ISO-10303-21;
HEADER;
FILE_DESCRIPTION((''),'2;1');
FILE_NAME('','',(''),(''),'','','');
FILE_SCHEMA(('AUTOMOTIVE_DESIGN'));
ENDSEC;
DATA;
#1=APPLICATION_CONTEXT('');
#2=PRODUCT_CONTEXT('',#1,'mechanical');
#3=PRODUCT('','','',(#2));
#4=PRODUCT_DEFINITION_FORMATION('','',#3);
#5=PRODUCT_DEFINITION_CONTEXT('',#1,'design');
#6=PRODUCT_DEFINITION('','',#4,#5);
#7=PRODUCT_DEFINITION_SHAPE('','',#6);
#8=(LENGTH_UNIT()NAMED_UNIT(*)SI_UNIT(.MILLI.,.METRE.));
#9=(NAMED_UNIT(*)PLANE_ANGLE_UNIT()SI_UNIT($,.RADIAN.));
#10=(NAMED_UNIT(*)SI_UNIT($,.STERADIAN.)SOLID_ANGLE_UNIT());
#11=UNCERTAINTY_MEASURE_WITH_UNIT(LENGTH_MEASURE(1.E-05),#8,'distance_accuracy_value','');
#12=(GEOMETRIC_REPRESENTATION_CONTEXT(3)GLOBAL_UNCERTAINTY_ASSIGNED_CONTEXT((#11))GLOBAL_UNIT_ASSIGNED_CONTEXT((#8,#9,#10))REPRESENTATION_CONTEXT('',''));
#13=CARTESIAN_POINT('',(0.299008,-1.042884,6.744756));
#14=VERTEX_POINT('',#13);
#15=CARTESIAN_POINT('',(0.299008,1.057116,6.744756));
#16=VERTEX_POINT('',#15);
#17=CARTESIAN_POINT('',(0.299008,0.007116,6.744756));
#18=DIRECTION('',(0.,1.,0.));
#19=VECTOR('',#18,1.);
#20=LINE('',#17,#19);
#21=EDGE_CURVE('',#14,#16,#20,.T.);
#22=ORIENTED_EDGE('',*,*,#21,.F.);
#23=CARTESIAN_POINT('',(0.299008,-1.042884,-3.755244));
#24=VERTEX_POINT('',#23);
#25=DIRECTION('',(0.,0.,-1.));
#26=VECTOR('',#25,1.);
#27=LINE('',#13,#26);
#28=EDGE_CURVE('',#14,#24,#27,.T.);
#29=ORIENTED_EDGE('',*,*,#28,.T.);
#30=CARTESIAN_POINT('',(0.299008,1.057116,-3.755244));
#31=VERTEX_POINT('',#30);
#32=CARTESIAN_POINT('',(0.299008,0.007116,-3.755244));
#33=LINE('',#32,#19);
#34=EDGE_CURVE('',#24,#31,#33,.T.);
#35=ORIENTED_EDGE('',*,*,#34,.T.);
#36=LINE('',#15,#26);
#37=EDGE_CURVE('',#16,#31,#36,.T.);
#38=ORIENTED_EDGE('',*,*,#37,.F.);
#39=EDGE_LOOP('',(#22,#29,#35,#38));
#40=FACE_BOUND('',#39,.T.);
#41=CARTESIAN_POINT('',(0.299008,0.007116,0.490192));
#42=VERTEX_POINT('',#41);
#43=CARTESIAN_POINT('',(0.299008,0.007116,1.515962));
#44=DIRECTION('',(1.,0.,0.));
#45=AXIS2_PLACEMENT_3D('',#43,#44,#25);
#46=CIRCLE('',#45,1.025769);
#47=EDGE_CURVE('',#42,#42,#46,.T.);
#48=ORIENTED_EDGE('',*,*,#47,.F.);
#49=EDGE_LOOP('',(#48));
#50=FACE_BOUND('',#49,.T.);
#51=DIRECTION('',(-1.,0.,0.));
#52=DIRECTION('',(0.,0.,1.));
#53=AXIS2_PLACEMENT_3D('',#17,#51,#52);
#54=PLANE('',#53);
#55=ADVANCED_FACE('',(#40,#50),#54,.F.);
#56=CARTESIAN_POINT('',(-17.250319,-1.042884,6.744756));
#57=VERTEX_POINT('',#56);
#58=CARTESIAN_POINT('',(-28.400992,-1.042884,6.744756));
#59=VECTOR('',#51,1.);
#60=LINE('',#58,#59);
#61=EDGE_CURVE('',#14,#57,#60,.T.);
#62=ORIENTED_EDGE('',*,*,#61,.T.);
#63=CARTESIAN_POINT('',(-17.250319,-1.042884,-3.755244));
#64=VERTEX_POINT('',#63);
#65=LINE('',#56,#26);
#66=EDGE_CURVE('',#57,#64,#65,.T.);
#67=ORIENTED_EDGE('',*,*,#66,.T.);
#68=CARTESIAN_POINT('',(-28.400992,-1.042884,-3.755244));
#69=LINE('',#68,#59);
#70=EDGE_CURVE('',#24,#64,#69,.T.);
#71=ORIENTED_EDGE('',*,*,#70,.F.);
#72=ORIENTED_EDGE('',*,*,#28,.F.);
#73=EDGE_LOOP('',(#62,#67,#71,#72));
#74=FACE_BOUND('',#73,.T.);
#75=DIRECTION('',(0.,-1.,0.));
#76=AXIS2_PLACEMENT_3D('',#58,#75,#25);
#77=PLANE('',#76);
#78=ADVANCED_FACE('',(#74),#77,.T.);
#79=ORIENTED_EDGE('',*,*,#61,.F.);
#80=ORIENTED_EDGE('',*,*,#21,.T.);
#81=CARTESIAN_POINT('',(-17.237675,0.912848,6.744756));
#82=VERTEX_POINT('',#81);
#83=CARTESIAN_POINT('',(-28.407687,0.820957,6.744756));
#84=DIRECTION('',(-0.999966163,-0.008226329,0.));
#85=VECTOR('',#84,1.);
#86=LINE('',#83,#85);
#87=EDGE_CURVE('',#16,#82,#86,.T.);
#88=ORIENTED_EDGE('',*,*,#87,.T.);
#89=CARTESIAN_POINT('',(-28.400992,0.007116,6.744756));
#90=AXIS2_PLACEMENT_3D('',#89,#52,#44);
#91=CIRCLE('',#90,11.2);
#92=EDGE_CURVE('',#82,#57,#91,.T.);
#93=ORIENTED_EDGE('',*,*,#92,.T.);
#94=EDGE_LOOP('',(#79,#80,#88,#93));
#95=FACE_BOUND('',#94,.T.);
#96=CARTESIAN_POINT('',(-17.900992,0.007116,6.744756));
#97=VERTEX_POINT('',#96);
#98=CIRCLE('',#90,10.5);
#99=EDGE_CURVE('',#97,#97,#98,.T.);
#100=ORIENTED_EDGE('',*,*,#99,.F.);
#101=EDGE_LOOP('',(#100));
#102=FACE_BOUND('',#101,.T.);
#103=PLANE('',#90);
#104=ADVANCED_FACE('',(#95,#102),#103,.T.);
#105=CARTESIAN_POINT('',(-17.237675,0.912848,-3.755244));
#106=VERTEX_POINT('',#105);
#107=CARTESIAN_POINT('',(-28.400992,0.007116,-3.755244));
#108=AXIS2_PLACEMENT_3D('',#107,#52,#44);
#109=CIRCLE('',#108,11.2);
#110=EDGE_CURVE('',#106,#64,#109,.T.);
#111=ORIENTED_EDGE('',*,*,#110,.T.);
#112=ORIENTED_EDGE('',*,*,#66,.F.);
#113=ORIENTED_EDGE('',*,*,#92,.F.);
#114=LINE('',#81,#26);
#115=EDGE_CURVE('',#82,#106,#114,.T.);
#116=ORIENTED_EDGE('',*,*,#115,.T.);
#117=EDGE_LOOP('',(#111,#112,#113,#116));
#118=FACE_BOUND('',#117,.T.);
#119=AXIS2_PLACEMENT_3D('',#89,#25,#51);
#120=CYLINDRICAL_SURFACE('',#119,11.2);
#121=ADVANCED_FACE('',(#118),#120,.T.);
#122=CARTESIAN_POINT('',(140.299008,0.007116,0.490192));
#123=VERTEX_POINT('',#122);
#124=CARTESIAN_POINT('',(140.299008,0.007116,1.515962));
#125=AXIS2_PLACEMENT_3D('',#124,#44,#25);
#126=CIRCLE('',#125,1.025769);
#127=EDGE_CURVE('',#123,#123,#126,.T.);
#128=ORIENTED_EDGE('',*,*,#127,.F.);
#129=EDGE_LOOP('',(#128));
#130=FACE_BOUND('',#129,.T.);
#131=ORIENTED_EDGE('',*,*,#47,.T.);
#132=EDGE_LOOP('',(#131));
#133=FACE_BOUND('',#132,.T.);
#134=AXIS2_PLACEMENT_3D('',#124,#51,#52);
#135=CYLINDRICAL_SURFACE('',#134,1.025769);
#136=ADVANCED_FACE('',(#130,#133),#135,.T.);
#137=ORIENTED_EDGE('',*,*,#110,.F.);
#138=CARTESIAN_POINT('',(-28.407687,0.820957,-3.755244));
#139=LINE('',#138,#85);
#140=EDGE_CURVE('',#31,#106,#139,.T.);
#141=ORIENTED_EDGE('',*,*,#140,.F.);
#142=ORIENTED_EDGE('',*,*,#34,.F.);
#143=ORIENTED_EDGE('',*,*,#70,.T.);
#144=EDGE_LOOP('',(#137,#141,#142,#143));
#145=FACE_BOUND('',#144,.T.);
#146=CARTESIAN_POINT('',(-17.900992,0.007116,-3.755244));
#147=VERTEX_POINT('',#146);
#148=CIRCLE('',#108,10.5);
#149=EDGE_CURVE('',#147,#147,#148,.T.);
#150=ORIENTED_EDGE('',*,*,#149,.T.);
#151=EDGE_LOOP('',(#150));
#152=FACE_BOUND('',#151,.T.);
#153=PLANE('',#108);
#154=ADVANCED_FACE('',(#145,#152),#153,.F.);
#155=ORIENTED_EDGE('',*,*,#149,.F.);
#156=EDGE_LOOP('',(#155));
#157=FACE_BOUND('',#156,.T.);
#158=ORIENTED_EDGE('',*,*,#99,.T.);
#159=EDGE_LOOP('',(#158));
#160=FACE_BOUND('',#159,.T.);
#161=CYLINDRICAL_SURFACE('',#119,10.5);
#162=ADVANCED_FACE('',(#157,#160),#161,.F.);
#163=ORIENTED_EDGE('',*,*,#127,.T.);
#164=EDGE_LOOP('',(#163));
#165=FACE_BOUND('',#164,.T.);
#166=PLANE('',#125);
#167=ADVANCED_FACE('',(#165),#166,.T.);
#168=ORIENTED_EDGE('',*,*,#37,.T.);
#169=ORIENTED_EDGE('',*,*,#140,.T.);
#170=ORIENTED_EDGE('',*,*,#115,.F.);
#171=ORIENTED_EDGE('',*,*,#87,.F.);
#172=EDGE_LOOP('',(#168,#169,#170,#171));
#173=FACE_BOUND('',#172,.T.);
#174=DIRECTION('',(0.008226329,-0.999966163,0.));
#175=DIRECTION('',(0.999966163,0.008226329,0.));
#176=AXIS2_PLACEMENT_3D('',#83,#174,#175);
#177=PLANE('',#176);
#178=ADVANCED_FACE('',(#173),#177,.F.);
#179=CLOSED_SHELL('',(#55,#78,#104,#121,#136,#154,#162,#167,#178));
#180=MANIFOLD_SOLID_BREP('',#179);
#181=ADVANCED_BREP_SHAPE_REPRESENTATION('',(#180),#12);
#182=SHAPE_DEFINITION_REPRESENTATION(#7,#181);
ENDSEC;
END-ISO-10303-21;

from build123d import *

# Parameters (mm, degrees)
SKETCH_1_R      = 3
EXTRUDE_1_DEPTH = 3
SKETCH_2_R      = 0.293076877
EXTRUDE_2_DEPTH = 40
SCALE_1_SCALE   = 3.5


with BuildPart() as part:
    # 草图1 → 凸台-拉伸1 (new body)
    with BuildSketch(Plane.XY):
        with BuildLine():
            Line((8.2, 0.3), (3.189519169, 0.258780744))
            ThreePointArc((3.189519169, 0.258780744), (-3.199933121, 0.020688637), (3.185906464, -0.3))
            Line((3.185906464, -0.3), (8.2, -0.3))
            Line((8.2, -0.3), (8.2, 0.3))
        make_face()
        Circle(SKETCH_1_R, mode=Mode.SUBTRACT)
    extrude(amount=EXTRUDE_1_DEPTH)

    # 草图2 → 凸台-拉伸2 (add)
    with BuildSketch(Plane(origin=(8.2, 0, 0), x_dir=(0, 0, -1), z_dir=(1, 0, 0))):
        with Locations((-1.506058585, 0)):
            Circle(SKETCH_2_R)
    extrude(amount=EXTRUDE_2_DEPTH)


with BuildPart() as part_1:
    # 缩放比例1: scaled about (11.360396765, -0.00284627, 1.502097409)
    add(part.part.scale(SCALE_1_SCALE).moved(Location((-28.400991913, 0.007115675, -3.755243523))))


solid = part_1.part
